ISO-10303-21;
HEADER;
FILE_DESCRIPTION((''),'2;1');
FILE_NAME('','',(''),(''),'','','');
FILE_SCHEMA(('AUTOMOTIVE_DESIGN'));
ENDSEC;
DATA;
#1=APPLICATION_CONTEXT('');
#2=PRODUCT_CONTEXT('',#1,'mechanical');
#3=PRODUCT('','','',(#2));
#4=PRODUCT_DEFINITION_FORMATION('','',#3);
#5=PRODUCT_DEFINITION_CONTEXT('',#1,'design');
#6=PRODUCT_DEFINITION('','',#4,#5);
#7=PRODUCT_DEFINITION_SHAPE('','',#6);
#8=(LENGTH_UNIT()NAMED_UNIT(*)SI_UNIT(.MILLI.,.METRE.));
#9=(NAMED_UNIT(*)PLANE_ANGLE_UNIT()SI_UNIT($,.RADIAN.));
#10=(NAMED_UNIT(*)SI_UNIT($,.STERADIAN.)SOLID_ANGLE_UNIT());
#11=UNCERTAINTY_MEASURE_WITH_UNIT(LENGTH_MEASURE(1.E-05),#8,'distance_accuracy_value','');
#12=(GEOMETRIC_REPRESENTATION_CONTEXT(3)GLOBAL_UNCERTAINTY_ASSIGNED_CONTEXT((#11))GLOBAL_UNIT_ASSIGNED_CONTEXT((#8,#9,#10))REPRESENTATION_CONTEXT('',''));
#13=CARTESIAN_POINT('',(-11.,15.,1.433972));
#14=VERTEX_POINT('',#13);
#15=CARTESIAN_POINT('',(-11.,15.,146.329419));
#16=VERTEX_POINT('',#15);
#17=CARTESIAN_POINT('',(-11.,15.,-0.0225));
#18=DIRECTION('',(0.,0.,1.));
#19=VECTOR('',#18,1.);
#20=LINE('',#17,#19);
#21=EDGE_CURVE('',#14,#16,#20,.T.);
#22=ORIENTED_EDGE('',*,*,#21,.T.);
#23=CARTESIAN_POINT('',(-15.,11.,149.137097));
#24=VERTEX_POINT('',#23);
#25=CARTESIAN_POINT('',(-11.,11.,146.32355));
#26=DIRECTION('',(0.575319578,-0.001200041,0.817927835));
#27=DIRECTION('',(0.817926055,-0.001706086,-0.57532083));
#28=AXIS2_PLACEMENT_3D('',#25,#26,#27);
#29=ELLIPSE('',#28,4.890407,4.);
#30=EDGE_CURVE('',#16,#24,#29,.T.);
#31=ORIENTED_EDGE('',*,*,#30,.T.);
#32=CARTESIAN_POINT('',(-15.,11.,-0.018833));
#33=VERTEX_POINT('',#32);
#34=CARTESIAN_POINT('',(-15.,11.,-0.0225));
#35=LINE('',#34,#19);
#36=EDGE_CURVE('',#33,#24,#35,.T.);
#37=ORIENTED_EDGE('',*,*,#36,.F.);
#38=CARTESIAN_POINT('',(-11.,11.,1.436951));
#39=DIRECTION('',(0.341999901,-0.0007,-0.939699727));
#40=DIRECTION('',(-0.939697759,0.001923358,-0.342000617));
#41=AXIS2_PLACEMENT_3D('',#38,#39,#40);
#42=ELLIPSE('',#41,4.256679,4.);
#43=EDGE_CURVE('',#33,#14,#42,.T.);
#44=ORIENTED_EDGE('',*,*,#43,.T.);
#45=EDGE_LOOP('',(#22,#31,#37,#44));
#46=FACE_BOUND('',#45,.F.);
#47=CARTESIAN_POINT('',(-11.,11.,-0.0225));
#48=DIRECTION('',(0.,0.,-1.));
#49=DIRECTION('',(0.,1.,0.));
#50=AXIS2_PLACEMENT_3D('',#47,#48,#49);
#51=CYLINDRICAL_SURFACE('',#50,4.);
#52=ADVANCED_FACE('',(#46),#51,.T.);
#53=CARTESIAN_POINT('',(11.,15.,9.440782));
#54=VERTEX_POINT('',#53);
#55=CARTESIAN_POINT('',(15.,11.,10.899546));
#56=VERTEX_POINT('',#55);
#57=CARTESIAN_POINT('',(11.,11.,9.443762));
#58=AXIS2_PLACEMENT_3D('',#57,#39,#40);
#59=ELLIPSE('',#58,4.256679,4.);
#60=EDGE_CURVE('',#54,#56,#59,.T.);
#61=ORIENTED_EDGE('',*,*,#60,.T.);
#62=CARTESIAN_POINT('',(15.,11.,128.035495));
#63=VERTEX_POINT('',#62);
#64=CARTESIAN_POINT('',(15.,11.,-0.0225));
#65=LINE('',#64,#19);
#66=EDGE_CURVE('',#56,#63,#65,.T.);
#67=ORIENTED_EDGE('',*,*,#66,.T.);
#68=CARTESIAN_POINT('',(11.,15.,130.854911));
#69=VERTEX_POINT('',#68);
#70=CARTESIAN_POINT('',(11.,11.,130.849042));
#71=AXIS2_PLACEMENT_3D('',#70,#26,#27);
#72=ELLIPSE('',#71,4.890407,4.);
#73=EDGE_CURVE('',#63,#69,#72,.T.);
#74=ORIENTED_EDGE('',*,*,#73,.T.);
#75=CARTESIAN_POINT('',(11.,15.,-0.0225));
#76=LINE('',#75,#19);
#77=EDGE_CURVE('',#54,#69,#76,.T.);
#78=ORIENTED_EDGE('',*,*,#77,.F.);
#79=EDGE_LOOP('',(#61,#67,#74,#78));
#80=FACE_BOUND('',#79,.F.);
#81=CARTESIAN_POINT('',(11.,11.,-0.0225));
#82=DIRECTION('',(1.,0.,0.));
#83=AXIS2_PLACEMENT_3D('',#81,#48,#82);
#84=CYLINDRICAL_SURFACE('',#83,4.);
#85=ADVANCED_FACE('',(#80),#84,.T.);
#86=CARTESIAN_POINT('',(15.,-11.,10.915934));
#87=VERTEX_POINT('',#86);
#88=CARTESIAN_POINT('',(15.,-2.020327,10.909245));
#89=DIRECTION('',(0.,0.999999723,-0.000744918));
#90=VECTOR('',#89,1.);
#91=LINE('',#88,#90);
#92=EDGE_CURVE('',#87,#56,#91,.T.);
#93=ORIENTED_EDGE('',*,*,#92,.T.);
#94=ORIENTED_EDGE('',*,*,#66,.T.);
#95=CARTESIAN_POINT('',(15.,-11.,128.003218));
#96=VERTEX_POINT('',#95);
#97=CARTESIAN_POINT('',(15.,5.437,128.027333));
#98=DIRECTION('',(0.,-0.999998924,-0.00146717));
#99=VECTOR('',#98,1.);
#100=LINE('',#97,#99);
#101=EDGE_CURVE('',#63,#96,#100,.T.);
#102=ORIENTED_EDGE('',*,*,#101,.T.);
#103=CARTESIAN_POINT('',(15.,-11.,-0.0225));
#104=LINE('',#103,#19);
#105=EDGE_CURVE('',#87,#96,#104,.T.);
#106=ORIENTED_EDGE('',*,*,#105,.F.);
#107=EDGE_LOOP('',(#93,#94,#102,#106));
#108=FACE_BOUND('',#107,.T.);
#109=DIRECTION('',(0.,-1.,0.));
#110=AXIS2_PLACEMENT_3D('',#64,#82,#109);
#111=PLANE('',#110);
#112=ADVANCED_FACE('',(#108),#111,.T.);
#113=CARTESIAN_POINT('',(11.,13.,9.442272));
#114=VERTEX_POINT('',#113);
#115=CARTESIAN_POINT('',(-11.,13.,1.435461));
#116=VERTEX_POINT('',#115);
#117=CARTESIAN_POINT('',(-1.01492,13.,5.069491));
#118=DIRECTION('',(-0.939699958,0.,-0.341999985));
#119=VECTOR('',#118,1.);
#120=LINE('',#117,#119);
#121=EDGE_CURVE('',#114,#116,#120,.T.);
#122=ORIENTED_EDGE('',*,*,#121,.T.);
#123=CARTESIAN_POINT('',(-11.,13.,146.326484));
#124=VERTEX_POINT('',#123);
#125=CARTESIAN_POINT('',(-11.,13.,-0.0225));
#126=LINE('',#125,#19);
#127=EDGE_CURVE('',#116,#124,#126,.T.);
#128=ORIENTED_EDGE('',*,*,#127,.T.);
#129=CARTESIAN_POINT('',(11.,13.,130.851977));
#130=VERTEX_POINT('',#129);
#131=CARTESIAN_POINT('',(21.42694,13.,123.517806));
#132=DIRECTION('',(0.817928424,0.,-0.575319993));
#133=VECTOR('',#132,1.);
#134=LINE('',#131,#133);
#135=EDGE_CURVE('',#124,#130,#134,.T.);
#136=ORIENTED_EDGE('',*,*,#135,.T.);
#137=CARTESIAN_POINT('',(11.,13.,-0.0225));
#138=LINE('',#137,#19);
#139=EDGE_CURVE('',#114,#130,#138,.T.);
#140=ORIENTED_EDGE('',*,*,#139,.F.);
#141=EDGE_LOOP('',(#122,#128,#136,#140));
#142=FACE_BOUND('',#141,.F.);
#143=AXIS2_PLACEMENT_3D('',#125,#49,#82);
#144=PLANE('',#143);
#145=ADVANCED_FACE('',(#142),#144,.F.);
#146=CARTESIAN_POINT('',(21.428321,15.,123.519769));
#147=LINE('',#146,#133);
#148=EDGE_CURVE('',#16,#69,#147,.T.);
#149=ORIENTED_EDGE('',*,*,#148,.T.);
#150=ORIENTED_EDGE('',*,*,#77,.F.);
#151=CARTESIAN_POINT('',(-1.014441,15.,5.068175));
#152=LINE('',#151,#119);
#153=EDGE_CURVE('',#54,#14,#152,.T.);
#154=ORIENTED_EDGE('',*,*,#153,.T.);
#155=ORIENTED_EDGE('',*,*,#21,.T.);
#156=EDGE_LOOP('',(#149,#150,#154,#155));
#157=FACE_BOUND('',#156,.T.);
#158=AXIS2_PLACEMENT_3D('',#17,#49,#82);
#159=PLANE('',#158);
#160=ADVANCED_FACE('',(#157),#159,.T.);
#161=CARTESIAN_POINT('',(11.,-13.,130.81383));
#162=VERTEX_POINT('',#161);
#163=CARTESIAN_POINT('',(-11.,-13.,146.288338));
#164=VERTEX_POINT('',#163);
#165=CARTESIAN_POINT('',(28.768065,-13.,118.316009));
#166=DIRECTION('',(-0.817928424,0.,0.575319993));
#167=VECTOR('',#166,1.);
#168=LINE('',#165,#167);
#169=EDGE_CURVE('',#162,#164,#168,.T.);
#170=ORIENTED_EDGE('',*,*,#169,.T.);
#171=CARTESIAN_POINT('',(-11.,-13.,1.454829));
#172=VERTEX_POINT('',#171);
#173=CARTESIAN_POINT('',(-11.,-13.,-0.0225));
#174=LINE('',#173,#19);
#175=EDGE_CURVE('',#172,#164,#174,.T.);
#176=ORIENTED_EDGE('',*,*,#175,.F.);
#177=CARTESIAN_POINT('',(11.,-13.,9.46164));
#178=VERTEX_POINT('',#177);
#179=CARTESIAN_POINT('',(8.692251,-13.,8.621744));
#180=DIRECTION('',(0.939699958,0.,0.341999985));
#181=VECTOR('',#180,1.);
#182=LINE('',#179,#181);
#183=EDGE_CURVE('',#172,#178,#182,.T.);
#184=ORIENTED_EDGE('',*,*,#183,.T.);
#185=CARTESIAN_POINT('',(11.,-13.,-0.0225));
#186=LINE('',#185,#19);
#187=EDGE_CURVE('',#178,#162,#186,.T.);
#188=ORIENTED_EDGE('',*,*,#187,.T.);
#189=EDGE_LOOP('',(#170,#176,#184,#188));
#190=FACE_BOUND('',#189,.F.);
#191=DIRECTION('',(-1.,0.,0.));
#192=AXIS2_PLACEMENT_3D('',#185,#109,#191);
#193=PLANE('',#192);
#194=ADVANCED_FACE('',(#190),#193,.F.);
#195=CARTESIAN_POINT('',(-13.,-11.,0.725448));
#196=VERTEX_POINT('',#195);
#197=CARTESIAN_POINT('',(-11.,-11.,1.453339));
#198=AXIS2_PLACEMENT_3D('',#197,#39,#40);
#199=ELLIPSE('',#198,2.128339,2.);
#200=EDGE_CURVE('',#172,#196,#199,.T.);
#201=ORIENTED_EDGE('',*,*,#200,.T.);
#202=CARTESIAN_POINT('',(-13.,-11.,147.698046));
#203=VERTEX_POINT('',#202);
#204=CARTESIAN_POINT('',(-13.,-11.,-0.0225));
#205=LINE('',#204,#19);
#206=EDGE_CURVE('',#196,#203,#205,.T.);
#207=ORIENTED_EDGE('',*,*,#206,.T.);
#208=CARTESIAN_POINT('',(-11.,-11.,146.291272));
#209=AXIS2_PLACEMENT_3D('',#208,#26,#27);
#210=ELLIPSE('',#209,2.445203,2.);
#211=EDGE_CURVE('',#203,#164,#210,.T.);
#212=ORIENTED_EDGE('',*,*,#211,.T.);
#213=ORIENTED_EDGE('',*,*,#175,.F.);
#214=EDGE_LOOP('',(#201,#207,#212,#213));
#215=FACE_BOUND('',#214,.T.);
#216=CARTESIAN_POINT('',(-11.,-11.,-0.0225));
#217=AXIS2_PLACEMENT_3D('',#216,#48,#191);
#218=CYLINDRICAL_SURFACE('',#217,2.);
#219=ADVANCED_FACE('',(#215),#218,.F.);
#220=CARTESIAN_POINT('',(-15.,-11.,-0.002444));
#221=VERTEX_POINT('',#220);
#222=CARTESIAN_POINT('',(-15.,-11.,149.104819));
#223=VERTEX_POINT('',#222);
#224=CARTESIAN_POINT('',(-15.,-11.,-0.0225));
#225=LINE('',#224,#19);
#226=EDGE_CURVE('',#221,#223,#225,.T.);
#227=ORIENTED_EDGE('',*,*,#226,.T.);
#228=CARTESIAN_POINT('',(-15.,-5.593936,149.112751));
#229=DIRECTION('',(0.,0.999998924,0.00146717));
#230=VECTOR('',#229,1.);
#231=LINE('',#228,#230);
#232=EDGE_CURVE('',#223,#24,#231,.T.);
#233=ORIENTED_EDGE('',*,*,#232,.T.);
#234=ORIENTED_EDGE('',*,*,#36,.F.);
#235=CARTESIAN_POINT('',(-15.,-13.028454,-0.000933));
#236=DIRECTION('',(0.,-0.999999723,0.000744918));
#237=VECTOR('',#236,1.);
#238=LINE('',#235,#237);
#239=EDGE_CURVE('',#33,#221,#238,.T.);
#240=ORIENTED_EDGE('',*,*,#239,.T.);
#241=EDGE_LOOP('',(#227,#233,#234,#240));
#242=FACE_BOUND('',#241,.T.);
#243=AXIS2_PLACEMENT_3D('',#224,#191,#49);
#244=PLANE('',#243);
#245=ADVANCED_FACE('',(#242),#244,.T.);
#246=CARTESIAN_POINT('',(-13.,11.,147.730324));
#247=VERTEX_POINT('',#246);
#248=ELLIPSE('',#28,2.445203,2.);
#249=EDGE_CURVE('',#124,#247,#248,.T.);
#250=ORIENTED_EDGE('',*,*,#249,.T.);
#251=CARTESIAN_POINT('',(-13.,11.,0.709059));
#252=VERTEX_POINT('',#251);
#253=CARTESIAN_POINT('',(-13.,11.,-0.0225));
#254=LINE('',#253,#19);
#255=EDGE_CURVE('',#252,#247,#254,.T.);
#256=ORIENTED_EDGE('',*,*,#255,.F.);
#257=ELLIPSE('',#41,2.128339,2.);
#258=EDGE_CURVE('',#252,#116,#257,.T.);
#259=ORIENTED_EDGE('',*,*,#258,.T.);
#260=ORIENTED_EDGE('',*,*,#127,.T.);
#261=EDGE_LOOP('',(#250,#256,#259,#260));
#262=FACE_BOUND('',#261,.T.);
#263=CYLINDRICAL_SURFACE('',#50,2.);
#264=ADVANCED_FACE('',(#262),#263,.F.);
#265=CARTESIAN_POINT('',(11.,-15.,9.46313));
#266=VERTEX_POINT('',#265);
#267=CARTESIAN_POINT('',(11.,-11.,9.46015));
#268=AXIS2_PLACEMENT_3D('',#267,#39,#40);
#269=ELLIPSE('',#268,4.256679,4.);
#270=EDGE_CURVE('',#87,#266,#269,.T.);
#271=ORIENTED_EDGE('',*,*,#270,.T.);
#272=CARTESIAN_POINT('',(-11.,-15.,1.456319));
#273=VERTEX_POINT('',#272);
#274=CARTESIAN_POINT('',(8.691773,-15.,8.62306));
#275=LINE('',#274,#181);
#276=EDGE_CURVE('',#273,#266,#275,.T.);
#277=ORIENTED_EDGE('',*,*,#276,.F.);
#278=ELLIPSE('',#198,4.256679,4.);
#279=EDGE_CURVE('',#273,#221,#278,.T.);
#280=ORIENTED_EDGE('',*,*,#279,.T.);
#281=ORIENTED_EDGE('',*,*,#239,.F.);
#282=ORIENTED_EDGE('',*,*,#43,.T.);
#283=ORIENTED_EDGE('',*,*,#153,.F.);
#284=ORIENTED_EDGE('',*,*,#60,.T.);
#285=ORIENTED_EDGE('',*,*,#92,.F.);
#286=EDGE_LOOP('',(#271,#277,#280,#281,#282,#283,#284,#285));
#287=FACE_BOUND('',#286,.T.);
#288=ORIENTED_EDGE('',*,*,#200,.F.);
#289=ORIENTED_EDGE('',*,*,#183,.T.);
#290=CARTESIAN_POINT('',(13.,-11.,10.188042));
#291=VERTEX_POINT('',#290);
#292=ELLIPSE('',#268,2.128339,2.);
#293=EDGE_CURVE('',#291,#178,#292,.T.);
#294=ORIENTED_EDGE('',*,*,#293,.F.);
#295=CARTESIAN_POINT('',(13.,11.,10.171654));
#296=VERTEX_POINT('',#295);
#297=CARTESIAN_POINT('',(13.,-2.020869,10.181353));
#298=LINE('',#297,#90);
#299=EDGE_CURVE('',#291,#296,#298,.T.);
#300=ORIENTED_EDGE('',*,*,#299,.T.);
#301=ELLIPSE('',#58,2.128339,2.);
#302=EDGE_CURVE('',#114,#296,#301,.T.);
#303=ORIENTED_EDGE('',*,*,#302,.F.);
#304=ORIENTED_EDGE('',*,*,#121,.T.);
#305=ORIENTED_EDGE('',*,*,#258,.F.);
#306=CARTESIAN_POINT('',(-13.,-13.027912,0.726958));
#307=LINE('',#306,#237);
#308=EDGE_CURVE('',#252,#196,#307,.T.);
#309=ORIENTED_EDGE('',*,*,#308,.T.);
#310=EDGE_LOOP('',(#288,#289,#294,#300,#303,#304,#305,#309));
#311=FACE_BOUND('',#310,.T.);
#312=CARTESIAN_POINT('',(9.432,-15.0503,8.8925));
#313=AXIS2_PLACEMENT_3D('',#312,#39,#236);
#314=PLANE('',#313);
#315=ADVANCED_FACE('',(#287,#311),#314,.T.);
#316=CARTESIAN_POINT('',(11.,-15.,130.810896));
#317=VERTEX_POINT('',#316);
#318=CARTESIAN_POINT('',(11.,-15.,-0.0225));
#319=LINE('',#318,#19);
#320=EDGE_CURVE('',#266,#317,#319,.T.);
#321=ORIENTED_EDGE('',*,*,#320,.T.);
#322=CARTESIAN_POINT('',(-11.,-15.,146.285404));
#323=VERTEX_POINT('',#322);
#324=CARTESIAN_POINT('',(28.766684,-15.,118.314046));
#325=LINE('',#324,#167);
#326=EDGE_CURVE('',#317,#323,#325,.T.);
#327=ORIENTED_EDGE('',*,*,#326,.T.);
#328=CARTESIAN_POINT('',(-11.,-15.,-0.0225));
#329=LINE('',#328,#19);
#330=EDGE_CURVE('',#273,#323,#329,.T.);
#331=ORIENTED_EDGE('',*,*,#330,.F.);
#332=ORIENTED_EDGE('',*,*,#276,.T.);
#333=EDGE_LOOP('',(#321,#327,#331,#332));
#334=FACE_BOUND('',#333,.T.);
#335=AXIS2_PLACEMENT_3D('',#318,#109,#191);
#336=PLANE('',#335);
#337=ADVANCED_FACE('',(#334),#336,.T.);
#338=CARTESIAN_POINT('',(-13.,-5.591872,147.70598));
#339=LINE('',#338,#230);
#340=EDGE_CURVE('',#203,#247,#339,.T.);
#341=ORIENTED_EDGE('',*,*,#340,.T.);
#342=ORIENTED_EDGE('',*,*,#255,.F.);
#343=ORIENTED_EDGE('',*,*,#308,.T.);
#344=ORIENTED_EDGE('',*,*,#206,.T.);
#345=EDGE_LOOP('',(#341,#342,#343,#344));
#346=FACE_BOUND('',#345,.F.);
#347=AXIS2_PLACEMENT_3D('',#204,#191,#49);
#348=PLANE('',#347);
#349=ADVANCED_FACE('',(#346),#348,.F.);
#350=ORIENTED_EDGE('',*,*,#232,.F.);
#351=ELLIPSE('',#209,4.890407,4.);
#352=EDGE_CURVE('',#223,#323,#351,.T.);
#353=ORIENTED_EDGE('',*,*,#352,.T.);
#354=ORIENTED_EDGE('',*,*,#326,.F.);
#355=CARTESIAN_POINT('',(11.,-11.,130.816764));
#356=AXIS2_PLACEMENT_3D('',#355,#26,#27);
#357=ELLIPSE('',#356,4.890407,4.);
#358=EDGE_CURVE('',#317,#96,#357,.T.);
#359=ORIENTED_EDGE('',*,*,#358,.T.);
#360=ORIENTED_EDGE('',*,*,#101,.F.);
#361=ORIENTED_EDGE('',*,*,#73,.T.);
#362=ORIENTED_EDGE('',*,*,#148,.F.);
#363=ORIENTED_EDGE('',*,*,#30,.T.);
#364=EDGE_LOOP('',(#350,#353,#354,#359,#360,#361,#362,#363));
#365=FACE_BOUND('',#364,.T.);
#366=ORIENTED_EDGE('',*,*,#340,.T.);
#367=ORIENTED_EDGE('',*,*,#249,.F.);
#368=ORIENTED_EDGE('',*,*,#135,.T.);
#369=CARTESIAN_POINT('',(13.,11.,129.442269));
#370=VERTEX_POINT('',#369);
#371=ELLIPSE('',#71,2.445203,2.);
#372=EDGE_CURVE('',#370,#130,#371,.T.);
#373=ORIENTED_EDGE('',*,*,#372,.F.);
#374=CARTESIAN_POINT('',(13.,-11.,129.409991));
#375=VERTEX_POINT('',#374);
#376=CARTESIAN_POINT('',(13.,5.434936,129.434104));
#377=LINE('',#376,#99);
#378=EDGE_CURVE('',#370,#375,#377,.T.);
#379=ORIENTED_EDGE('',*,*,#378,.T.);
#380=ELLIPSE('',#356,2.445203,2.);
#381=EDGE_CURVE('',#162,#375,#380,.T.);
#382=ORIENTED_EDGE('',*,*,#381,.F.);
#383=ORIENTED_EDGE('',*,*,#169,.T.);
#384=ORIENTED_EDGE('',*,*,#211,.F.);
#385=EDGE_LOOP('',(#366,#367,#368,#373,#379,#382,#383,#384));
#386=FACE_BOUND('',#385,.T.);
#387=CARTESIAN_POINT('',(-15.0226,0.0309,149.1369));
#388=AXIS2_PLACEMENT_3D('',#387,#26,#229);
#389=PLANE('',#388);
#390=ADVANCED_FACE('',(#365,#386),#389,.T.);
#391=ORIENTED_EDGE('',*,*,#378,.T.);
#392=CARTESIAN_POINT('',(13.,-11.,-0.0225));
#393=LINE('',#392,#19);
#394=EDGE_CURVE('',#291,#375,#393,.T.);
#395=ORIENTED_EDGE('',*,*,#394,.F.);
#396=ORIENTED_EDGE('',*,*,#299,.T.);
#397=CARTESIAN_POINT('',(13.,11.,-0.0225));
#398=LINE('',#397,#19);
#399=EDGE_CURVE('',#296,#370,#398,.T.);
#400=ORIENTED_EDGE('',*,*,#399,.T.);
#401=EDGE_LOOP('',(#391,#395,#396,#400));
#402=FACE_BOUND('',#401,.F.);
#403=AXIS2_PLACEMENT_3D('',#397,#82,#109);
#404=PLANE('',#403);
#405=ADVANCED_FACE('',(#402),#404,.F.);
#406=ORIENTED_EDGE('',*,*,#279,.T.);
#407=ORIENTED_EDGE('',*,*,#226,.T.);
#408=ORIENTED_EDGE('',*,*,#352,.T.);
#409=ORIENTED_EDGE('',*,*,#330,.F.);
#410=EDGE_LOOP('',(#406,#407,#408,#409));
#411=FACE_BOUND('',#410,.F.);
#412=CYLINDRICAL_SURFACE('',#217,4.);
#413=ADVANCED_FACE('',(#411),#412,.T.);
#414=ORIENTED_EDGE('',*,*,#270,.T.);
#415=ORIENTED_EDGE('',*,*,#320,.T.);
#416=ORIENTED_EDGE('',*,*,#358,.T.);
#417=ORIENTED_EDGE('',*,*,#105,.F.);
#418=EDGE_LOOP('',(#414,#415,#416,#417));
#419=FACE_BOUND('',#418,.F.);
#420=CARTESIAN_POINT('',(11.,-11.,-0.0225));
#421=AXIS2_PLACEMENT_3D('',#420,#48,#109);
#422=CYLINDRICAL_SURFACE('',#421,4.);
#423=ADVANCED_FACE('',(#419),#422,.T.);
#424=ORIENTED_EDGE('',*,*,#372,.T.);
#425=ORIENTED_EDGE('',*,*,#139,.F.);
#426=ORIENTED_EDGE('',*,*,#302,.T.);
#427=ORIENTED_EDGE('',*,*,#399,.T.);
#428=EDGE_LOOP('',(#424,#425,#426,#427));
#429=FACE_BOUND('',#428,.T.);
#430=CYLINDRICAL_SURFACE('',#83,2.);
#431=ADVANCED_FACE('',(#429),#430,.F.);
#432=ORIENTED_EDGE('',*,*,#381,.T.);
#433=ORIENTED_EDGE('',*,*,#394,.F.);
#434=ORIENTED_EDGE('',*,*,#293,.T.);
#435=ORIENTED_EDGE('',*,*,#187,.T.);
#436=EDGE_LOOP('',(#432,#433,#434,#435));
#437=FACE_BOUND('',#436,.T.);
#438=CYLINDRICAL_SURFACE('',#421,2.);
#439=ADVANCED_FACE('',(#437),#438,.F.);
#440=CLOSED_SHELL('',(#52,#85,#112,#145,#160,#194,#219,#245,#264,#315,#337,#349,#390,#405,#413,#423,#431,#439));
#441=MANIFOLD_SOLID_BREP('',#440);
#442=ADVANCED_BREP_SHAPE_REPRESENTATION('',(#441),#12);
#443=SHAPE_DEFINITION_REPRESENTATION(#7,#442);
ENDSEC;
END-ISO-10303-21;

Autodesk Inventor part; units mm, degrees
ref_plane "Plano inicial" through (0, 0, -0.0225) normal (0, 0, 1) x (1, 0, 0)
ref_plane "Plano final" through (0, 0, 149.1426) normal (0, 0, 1) x (1, 0, 0)
sketch "Esboço" plane through (0, 0, 0) normal (0, 0, 1) x (1, 0, 0)
  line L0 (-15, -11) -> (-15, 11)
  line L1 (-11, 15) -> (11, 15)
  line L2 (15, 11) -> (15, -11)
  line L3 (11, -15) -> (-11, -15)
  arc A0 (-15, -11) -> (-11, -15) centre (-11, -11) ccw
  arc A1 (15, 11) -> (11, 15) centre (11, 11) ccw
  arc A2 (-11, 15) -> (-15, 11) centre (-11, 11) ccw
  arc A3 (11, -15) -> (15, -11) centre (11, -11) ccw
  arc A4 (-11, 13) -> (-13, 11) centre (-11, 11) ccw
  line L4 (-11, 13) -> (11, 13)
  arc A5 (13, 11) -> (11, 13) centre (11, 11) ccw
  line L5 (13, 11) -> (13, -11)
  arc A6 (11, -13) -> (13, -11) centre (11, -11) ccw
  line L6 (11, -13) -> (-11, -13)
  arc A7 (-13, -11) -> (-11, -13) centre (-11, -11) ccw
  line L7 (-13, -11) -> (-13, 11)
  line L8 (0, 22.1598) -> (0, -22.1598) construction
  line L9 (-22.1598, 0) -> (22.1598, 0) construction
  dimension "d7" = 4
  dimension "d9" = 30
  dimension "d11" = 30
  dimension "d12" = 2
  dimension "d15" = 15
  dimension "d16" = 15
extrude "Corpo" add sketch "Esboço" along normal up to surface (149.1651 mm away) from surface at -0.0225
sketch "Sketch3" plane through (0, 0, 0) normal (0, 0, 1) x (1, 0, 0)
  line L0 (0, 0) -> (10, 0)
ref_plane "Work Plane3" through (0, 0, 0) normal (0, -1, 0) x (1, 0, 0)
sketch "Sketch4" plane through (0, 0, 0) normal (0, -1, 0) x (1, 0, 0)
  line L0 (-2, -0.0225) -> (12, -0.0225)
  line L1 (-2, 149.1426) -> (12, 149.1426)
  dimension "d18" = 149.1651
ref_plane "Plano de trabalho4" through (-15.0226, 0.0309, 149.1369) normal (0.5753, -0.0012, 0.8179) x (0.8179, 0.0004, -0.5753)
split "Dividir1" plane through (-15.0226, 0.0309, 149.1369) removes the side toward (0.5753, -0.0012, 0.8179)
ref_plane "Plano de trabalho5" through (9.432, -15.0503, 8.8925) normal (0.342, -0.0007, -0.9397) x (-0.9397, 0.004, -0.342)
split "Dividir2" plane through (9.432, -15.0503, 8.8925) removes the side toward (0.342, -0.0007, -0.9397)
equation "\"d7\" = G_IR"
equation "\"d9\" = G_W"
equation "\"d11\" = G_H"
equation "\"d12\" = G_T"
equation "\"d15\" = 0.5 * d9"
equation "\"d16\" = 0.5 * d11"
equation "\"d3\" = G_L"
equation "\"G_W\" = 30"
equation "\"G_H\" = 30"
equation "\"G_T\" = 2"
equation "\"G_IR\" = 4"
equation "\"G_L\" = d18"
equation "\"G_OFFSET_START\" = 0.02249"
equation "\"G_OFFSET_END\" = 0.15776"
equation "\"d13\" = -G_OFFSET_START"
equation "\"d14\" = G_OFFSET_END + B_L"
equation "\"B_L\" = 148.98489"
properties part number "ISO 10799-2 - 30x30x2 - 149,165" material "Aço, suave"
